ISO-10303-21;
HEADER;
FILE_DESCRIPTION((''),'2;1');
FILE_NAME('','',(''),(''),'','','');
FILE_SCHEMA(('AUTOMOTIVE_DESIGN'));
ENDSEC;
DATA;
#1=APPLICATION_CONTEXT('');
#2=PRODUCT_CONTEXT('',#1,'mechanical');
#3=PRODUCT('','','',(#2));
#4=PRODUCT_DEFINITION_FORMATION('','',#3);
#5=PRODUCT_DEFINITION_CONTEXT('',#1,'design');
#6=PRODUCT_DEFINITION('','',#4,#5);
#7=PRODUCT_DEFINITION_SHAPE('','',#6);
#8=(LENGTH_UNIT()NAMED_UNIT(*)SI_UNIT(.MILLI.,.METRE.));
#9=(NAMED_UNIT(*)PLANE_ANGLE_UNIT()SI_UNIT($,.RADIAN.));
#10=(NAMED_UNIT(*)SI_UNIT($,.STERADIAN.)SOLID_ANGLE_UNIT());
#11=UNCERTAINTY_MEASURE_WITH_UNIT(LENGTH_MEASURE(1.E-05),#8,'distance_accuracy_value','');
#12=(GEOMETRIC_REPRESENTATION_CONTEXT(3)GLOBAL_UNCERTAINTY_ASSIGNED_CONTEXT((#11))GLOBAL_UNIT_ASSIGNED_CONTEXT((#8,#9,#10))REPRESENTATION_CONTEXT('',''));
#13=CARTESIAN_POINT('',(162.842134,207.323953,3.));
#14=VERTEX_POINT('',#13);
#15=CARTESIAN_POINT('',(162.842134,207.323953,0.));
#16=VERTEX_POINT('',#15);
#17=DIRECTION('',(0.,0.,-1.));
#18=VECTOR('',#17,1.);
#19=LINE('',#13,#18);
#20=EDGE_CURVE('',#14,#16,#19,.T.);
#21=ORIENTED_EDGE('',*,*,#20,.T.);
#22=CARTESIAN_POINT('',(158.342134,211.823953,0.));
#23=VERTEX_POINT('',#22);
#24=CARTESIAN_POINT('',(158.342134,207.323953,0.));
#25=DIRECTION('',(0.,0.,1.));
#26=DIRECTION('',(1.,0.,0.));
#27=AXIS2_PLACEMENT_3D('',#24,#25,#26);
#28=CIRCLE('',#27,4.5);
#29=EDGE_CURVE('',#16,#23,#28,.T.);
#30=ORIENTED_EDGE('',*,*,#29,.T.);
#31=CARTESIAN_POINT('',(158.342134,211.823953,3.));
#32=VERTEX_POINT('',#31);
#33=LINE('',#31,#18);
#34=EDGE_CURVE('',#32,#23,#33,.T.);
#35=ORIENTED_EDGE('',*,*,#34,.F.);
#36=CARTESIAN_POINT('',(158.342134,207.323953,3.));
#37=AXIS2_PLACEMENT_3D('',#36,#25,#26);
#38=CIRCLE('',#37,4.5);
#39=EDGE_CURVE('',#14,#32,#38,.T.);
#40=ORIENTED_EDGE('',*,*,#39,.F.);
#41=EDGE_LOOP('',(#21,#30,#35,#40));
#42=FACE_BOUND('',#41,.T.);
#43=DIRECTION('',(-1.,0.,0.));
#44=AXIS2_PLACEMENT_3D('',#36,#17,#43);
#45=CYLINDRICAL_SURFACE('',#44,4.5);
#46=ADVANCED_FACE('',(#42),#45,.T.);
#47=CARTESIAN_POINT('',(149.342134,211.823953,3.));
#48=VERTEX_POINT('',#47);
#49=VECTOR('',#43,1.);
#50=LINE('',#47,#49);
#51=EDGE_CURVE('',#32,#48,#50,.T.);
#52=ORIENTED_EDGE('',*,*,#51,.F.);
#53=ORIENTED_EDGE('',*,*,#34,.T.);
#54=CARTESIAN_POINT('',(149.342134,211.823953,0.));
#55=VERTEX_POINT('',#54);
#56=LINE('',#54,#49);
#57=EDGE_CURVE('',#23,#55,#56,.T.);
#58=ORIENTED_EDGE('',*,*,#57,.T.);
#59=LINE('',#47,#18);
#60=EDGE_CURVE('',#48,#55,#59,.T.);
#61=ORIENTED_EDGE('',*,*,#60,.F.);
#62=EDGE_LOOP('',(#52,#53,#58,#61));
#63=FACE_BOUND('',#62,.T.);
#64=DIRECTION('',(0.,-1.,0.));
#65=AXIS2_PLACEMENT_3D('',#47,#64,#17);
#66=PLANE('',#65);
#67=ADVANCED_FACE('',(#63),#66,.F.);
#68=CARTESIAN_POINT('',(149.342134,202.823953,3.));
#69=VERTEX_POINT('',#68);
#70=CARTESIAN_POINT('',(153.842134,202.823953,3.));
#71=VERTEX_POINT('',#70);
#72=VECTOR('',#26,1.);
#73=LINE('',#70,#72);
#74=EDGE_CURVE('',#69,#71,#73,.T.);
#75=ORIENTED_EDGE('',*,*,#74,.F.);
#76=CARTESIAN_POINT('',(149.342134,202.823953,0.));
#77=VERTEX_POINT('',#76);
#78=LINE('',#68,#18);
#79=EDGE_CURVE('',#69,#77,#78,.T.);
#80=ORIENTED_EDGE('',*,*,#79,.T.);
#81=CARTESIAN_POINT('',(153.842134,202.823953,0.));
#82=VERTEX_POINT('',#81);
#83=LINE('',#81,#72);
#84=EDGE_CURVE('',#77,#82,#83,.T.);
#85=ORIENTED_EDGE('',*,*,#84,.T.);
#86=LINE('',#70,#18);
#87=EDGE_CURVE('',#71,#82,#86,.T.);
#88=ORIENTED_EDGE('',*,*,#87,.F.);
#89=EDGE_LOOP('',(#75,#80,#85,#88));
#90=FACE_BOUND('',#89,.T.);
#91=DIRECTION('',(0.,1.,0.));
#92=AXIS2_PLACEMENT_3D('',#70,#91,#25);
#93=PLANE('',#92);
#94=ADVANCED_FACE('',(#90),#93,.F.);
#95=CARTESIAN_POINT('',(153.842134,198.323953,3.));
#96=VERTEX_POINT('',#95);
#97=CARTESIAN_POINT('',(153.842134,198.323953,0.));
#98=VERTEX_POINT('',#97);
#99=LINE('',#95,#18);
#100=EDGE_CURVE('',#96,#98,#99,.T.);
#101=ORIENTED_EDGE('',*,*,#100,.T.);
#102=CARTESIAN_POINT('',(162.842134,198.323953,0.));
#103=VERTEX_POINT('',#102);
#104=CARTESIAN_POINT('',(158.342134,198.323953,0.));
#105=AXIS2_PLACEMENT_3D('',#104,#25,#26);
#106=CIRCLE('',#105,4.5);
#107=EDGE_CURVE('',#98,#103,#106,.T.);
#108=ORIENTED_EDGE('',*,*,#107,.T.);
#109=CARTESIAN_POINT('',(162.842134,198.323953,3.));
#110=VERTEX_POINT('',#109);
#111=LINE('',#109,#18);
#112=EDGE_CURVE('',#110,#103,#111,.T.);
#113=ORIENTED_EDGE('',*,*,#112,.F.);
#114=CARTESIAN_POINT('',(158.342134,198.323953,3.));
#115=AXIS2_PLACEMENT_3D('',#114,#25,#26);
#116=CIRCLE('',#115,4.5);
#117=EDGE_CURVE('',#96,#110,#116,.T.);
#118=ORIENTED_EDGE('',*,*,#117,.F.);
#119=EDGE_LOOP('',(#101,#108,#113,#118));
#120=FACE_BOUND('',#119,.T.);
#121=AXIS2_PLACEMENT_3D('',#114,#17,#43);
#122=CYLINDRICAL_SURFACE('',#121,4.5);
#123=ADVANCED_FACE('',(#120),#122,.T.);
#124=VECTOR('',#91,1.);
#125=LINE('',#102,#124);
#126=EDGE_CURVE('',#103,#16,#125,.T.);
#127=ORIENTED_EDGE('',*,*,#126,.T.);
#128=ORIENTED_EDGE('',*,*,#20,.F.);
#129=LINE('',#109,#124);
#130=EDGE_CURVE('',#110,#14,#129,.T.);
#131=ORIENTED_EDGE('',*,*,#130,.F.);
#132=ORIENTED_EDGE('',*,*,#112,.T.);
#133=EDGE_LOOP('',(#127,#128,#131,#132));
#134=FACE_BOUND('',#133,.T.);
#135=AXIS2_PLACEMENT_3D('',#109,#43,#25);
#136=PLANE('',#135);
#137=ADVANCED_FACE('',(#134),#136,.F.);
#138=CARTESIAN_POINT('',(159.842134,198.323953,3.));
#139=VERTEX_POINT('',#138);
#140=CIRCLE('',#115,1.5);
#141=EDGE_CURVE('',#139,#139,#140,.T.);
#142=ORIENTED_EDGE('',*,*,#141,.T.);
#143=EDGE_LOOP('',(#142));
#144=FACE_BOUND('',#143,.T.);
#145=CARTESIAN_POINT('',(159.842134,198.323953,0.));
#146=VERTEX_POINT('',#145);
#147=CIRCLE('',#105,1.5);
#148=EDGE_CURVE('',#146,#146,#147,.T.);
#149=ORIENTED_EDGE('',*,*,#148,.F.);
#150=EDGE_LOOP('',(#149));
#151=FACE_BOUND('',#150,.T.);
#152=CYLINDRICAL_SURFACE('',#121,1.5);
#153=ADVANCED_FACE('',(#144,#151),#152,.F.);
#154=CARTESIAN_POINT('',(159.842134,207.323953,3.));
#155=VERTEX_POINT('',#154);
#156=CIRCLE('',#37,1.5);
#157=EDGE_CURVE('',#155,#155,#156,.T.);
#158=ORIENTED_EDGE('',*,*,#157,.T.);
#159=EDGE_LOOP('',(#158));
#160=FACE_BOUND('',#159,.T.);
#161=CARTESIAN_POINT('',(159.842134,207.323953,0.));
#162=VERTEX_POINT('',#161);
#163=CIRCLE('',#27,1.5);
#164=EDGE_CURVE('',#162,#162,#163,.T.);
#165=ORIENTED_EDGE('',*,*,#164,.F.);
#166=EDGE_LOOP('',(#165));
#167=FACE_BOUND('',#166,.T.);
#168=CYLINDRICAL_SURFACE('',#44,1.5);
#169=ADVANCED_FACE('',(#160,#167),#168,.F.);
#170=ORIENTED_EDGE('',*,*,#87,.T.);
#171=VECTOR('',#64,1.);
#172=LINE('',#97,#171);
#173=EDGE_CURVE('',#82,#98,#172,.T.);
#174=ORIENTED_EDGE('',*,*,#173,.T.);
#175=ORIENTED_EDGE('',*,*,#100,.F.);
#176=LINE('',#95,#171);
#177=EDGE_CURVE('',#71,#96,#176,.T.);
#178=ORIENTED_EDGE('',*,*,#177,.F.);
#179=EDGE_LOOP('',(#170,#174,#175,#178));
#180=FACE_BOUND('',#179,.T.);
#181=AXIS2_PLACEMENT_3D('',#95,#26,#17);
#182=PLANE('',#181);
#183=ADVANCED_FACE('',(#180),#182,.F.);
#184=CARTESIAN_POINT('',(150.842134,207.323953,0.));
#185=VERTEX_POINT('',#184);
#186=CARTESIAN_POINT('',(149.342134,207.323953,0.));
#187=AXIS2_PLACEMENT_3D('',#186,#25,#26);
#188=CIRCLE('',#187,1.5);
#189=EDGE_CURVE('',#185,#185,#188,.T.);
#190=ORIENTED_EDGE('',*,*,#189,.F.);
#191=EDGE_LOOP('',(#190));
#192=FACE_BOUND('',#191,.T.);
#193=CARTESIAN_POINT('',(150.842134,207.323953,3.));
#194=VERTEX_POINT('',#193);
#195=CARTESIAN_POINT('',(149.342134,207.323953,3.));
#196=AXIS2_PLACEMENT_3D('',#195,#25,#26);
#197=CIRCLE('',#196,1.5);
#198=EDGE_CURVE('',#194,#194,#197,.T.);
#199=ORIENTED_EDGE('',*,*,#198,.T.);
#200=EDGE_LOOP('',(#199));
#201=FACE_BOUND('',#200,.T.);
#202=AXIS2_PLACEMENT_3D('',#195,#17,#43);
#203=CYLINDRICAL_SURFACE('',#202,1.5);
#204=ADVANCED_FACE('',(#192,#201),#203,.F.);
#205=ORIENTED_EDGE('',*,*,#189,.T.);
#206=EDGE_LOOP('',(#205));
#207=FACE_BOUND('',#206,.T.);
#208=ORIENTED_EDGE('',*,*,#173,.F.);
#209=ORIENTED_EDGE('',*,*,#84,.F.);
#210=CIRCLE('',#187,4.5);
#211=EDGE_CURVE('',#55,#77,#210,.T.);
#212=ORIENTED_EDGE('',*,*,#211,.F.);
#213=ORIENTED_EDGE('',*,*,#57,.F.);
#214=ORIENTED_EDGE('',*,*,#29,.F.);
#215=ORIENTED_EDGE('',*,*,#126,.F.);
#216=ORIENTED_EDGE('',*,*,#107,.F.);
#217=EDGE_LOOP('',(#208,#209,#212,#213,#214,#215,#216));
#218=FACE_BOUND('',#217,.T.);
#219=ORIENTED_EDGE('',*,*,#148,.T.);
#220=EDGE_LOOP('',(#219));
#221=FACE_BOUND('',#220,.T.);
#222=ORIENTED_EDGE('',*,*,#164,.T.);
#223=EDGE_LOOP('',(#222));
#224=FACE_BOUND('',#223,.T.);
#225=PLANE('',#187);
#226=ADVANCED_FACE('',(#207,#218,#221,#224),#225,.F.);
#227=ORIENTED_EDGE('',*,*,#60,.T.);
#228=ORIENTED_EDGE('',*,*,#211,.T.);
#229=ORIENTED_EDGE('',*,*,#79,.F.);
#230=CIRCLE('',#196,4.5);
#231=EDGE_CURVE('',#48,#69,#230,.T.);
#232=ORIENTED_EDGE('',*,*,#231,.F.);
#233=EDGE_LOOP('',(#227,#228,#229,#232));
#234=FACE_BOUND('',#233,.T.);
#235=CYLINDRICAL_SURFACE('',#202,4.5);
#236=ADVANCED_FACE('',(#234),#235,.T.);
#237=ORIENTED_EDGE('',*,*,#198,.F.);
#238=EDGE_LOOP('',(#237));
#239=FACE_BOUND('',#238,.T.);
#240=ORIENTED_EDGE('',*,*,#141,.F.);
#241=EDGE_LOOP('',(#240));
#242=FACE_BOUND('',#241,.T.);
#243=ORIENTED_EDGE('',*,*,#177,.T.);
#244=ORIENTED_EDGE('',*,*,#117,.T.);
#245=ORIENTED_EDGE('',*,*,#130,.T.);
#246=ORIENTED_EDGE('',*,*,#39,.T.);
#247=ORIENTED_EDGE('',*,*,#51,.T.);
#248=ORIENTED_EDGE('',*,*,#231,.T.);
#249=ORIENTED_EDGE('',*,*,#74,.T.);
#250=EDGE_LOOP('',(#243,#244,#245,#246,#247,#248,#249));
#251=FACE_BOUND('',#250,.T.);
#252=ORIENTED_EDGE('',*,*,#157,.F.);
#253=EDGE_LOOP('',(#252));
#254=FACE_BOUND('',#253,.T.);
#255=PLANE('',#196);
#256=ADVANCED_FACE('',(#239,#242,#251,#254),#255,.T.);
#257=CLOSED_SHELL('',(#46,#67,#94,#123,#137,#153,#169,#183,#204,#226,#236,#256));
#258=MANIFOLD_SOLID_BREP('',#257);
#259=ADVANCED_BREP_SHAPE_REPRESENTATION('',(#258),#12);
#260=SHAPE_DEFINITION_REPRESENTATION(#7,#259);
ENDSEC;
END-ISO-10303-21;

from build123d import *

# Parameters (mm, degrees)
MODEL_R                 = 1.5
SALIENTE_EXTRUIR1_DEPTH = 3


with BuildPart() as part:
    # Model → Saliente-Extruir1 (new body)
    with BuildSketch(Plane.XY):
        with BuildLine():
            Line((149.34213351, 211.823953209), (158.34213351, 211.823953209))
            ThreePointArc((158.34213351, 211.823953209), (161.524114025, 210.505933724), (162.84213351, 207.323953209))
            Line((162.84213351, 207.323953209), (162.84213351, 198.323953209))
            ThreePointArc((162.84213351, 198.323953209), (158.34213351, 193.823953209), (153.84213351, 198.323953209))
            Line((153.84213351, 198.323953209), (153.84213351, 202.823953209))
            Line((153.84213351, 202.823953209), (149.34213351, 202.823953209))
            ThreePointArc((149.34213351, 202.823953209), (144.84213351, 207.323953209), (149.34213351, 211.823953209))
        make_face()
        with Locations((149.34213351, 207.323953209)):
            Circle(MODEL_R, mode=Mode.SUBTRACT)
        with Locations((158.34213351, 207.323953209)):
            Circle(MODEL_R, mode=Mode.SUBTRACT)
        with Locations((158.34213351, 198.323953209)):
            Circle(MODEL_R, mode=Mode.SUBTRACT)
    extrude(amount=SALIENTE_EXTRUIR1_DEPTH)


solid = part.part
